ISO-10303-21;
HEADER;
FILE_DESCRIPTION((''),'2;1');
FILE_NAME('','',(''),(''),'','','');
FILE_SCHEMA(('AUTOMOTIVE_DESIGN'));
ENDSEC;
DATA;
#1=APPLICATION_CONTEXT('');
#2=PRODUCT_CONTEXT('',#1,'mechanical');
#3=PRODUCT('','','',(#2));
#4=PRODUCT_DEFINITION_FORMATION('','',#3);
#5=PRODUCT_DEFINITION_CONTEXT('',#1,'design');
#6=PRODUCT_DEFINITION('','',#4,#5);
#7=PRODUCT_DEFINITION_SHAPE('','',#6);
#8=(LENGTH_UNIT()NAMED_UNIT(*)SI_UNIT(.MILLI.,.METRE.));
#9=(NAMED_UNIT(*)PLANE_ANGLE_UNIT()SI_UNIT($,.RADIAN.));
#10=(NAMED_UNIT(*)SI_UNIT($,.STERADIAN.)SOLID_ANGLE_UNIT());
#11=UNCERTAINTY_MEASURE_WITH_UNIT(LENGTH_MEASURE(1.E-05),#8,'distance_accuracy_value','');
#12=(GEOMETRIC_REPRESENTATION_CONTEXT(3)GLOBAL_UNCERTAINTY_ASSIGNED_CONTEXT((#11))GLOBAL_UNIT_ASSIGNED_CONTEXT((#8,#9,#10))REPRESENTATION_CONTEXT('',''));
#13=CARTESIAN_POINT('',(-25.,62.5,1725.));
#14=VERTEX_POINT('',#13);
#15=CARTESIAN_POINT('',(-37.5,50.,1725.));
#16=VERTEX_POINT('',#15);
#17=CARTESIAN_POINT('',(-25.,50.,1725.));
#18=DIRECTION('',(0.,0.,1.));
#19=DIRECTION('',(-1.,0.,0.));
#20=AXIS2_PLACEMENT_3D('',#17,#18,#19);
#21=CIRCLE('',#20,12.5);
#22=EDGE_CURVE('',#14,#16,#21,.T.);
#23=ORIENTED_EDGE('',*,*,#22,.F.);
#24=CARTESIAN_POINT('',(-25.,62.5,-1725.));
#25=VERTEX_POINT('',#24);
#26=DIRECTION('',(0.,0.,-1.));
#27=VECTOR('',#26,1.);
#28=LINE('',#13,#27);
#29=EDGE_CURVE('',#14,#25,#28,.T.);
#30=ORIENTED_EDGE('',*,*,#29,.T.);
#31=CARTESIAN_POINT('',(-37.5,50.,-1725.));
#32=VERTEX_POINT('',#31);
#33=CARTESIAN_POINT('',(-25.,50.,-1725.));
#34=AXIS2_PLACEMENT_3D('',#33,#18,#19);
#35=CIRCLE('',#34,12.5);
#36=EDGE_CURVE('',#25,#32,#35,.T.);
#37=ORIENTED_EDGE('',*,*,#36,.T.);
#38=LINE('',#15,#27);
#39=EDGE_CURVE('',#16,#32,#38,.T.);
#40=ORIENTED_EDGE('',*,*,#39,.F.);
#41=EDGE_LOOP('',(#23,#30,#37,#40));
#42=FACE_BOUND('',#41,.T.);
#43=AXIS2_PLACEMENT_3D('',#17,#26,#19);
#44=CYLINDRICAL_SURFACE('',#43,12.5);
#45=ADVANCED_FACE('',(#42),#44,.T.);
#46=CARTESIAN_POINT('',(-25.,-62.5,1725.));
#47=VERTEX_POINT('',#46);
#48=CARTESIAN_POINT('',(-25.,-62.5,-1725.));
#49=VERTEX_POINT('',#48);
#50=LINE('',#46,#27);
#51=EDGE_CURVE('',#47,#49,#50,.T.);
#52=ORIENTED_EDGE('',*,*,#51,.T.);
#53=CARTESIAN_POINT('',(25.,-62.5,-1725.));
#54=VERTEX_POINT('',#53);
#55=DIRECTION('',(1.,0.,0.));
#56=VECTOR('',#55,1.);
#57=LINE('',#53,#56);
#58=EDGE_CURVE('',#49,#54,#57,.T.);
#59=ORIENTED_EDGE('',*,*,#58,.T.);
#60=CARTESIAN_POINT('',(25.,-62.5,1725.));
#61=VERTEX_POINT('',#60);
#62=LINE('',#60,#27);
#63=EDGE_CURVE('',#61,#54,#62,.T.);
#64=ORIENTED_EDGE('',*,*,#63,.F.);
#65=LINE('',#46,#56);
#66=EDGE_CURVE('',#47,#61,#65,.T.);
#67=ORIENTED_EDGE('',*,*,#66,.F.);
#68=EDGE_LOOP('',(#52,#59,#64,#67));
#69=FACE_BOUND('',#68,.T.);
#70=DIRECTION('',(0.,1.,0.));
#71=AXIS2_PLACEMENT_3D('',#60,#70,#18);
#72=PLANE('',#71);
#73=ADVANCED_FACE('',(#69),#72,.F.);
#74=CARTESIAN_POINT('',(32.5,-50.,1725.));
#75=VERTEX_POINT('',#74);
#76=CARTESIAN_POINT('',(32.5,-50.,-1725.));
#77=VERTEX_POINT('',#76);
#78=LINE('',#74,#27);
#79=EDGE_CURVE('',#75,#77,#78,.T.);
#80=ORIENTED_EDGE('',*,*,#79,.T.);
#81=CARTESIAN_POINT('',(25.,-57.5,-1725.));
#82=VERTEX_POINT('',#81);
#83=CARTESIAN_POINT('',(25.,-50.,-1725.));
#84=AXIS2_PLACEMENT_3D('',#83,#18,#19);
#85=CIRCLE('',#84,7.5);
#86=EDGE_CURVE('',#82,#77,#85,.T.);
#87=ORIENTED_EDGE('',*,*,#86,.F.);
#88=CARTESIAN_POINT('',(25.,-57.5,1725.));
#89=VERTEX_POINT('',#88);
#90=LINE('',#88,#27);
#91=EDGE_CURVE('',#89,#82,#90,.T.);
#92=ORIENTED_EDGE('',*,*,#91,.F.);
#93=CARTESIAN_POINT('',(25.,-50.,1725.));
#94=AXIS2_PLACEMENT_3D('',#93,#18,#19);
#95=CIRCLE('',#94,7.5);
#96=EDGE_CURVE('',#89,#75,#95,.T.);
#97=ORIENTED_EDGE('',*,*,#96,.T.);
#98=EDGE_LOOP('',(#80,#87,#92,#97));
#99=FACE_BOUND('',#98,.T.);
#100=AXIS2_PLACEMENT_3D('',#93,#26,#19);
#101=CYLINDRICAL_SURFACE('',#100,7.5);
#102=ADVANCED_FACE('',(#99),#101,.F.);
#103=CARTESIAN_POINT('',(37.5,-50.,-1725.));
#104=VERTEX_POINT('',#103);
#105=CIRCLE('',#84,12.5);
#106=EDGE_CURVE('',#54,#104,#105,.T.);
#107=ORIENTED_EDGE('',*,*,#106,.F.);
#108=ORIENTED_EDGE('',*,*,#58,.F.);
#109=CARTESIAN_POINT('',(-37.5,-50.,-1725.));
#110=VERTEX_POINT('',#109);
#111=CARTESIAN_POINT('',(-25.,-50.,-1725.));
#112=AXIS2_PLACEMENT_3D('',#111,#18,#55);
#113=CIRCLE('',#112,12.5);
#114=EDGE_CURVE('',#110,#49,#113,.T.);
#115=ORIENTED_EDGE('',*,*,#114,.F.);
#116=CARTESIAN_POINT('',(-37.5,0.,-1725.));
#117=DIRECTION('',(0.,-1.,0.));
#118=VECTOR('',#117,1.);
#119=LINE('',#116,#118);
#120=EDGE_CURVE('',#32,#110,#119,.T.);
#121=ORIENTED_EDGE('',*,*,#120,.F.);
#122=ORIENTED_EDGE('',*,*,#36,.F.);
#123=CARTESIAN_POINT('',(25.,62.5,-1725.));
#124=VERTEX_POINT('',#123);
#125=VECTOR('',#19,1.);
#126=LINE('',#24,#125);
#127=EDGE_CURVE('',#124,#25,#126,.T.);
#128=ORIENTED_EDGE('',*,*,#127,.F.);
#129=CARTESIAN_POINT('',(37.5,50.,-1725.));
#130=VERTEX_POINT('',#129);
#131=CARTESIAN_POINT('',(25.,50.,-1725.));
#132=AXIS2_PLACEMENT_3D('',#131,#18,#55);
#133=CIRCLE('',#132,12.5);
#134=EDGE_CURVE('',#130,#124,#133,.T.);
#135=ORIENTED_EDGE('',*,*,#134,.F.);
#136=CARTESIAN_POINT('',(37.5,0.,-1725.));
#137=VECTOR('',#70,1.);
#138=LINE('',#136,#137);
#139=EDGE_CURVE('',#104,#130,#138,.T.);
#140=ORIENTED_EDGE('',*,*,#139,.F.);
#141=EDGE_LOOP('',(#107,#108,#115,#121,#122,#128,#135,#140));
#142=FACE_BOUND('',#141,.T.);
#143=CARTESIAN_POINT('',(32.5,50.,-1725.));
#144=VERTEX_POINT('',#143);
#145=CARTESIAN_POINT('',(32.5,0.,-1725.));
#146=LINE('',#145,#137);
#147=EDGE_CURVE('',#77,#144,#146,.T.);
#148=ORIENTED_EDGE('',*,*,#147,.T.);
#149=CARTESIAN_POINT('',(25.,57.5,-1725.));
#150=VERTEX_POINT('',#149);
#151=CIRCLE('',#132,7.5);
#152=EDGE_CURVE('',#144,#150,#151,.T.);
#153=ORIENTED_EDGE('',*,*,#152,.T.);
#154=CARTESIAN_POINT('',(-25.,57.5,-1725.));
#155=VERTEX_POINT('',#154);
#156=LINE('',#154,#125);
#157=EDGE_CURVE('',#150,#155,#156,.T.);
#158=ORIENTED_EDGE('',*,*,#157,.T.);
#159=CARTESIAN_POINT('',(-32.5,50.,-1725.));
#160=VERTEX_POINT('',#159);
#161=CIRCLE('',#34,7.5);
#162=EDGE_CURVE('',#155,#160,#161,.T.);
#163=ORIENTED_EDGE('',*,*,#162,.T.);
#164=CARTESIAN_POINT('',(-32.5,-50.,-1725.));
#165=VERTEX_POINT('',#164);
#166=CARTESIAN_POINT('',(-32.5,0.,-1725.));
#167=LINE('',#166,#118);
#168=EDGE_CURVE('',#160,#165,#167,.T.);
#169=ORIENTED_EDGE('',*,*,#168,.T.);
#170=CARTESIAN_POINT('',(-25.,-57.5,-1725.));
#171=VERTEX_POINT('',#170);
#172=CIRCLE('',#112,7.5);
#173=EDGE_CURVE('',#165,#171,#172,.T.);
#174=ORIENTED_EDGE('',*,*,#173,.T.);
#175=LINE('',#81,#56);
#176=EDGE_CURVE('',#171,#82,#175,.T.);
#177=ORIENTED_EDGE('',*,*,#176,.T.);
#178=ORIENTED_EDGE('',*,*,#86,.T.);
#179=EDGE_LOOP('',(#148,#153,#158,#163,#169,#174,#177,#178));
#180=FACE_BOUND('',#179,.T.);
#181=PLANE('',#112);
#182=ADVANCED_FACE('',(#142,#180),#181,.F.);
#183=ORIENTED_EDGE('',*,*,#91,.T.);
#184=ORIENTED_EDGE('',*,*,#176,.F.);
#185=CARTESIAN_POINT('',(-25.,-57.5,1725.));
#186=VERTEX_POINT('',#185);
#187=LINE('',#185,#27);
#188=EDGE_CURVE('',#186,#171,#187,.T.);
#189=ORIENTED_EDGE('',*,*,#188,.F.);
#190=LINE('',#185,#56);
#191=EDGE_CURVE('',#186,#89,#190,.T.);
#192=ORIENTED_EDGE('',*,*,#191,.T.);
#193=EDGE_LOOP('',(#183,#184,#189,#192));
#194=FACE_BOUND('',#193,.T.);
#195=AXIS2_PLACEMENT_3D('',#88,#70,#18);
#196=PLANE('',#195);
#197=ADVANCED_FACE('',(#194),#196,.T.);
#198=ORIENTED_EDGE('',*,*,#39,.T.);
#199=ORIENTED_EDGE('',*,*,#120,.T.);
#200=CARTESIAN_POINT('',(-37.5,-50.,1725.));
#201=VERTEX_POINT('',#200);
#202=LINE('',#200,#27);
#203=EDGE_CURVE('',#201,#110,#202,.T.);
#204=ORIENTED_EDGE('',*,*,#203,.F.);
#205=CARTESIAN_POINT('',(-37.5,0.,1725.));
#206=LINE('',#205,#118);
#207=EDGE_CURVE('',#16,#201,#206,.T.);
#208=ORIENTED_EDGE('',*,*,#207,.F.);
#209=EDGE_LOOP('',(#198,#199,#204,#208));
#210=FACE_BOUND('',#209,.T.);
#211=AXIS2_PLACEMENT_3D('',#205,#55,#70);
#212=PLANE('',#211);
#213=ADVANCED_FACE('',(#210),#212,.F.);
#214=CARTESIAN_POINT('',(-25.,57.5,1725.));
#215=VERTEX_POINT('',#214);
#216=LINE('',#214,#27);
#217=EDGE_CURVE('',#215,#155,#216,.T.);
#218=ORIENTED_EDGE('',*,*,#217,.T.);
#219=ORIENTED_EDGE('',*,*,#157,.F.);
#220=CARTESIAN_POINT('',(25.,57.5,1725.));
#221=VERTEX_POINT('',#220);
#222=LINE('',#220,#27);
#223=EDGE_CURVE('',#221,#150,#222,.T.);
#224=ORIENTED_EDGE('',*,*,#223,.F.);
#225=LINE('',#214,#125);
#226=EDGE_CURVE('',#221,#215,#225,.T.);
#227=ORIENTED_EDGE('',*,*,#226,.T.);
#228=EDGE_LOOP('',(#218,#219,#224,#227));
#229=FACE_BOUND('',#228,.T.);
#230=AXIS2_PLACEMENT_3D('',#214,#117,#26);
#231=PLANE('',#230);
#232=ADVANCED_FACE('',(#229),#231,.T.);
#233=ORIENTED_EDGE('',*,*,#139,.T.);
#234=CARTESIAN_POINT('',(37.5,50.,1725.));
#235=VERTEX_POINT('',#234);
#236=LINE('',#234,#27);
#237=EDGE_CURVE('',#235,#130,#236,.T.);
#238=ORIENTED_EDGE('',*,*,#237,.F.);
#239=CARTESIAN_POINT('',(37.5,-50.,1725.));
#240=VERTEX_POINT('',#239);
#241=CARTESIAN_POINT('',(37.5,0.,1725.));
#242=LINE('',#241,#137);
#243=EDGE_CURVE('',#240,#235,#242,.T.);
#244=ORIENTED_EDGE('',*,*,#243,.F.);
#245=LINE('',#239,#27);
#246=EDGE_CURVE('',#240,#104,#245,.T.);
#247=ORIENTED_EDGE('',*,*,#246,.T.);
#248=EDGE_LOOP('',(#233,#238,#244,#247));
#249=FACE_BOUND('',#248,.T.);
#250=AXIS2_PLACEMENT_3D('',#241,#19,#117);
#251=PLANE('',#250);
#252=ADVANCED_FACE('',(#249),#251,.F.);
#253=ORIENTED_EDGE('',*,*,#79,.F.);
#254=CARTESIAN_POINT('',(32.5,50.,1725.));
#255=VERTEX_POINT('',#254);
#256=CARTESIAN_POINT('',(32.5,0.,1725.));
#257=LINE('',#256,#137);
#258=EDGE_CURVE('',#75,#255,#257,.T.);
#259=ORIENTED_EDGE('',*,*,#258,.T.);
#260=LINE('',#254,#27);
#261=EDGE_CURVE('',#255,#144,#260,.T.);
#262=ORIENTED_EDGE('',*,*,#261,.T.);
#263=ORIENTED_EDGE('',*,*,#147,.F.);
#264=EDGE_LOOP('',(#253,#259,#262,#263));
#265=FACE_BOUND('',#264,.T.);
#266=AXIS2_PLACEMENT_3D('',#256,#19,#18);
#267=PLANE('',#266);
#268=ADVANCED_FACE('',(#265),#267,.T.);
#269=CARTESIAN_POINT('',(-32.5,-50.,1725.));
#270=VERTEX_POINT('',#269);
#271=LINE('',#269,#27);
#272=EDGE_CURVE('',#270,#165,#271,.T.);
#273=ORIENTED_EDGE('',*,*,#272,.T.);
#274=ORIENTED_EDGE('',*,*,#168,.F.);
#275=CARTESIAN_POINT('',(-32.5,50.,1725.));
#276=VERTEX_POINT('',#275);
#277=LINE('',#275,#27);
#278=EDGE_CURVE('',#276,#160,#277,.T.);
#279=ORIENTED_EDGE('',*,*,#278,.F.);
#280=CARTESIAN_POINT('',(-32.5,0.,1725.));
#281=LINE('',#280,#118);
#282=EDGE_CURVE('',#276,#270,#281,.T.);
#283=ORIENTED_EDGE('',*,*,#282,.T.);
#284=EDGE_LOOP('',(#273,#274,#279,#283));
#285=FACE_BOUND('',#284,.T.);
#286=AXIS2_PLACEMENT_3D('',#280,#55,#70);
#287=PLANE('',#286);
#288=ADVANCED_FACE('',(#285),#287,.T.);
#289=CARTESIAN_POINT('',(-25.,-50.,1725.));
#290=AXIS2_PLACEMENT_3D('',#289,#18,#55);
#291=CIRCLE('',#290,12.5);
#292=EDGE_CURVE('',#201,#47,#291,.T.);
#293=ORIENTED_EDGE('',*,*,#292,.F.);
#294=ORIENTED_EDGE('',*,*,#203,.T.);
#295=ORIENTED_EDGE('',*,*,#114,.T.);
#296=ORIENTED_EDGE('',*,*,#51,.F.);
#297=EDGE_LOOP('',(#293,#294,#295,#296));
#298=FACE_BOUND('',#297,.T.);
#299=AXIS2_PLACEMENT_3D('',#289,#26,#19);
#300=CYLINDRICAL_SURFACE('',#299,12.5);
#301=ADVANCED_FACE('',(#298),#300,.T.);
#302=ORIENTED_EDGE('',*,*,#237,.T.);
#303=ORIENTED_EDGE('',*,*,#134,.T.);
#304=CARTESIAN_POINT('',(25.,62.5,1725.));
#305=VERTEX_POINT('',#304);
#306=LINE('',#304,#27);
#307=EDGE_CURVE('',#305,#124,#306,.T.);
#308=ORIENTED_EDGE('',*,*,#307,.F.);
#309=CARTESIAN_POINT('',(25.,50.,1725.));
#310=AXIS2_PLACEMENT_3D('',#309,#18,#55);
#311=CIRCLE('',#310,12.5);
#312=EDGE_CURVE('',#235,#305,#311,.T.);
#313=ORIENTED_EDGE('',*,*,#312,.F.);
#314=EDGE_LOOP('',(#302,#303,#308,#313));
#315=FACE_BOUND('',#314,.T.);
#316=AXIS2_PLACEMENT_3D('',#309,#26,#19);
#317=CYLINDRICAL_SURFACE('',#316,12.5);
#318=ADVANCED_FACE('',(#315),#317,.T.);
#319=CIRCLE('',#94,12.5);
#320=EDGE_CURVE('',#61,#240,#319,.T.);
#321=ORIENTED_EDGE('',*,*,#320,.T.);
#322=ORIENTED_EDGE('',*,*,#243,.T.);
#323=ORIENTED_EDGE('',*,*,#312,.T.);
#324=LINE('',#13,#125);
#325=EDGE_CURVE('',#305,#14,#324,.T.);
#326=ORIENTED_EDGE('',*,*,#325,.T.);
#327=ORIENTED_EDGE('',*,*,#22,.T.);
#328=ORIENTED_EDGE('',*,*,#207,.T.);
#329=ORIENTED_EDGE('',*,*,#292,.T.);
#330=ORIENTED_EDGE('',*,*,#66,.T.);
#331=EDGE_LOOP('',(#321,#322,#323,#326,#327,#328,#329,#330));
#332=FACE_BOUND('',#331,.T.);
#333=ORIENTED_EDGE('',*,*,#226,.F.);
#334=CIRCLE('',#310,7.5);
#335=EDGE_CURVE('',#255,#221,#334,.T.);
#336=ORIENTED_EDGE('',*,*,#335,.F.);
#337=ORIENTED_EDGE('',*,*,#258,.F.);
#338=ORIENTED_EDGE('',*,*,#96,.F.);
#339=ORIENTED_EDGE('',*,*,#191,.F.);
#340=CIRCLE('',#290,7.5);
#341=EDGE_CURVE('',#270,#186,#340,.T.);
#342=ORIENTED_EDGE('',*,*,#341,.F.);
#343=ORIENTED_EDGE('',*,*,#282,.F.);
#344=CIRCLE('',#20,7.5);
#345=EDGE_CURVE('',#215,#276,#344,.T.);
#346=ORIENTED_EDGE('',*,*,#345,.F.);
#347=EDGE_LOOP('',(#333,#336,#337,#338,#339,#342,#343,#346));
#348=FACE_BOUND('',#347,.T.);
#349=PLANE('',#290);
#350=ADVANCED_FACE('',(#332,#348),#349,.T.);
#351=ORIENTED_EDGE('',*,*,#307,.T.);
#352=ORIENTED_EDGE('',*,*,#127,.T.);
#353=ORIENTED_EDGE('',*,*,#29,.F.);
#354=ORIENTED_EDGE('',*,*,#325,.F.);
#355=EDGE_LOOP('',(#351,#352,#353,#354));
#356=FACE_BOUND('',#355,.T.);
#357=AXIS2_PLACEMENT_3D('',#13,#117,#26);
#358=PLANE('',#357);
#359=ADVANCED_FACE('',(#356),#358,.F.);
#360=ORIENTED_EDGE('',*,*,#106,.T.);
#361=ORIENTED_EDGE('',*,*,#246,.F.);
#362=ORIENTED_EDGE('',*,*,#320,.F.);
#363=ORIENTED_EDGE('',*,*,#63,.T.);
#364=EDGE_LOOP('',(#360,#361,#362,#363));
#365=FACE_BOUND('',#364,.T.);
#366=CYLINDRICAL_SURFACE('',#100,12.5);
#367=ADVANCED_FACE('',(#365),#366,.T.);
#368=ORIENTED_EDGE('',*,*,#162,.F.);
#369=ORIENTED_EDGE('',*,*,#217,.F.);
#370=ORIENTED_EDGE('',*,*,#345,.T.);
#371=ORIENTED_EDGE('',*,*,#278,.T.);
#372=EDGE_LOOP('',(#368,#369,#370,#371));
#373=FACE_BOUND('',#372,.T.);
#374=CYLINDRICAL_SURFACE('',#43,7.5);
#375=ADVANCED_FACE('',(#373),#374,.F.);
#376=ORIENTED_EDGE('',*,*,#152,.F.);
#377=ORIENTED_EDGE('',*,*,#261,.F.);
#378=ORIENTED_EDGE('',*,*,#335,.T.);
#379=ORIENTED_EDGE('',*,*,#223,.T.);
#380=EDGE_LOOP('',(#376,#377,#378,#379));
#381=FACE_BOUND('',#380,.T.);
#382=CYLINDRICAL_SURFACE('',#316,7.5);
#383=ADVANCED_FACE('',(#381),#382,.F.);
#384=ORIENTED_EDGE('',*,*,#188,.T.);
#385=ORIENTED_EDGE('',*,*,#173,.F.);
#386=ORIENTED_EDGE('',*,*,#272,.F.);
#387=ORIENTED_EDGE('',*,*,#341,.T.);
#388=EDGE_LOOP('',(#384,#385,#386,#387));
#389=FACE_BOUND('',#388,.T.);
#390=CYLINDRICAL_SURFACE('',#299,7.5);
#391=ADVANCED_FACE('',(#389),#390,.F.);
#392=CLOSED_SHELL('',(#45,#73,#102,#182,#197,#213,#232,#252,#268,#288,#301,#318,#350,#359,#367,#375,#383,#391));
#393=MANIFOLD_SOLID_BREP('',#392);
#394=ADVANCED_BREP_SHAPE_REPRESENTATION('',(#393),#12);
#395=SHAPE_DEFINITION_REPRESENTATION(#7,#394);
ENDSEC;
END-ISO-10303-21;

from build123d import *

# Parameters (mm, degrees)
BOSS_EXTRUDE1_DEPTH = 1725


with BuildPart() as part:
    # Sketch1 → Boss-Extrude1 (new, symmetric)
    with BuildSketch(Plane.XY):
        with BuildLine():
            Line((-37.5, 0), (-37.5, -50))
            ThreePointArc((-37.5, -50), (-33.838834765, -58.838834765), (-25, -62.5))
            Line((-25, -62.5), (0, -62.5))
            Line((0, -62.5), (25, -62.5))
            ThreePointArc((25, -62.5), (33.838834765, -58.838834765), (37.5, -50))
            Line((37.5, -50), (37.5, 0))
            Line((37.5, 0), (37.5, 50))
            ThreePointArc((37.5, 50), (33.838834765, 58.838834765), (25, 62.5))
            Line((25, 62.5), (-25, 62.5))
            ThreePointArc((-25, 62.5), (-33.838834765, 58.838834765), (-37.5, 50))
            Line((-37.5, 50), (-37.5, 0))
        make_face()
        with BuildLine():
            Line((-32.5, 0), (-32.5, -50))
            ThreePointArc((-32.5, -50), (-30.303300859, -55.303300859), (-25, -57.5))
            Line((-25, -57.5), (0, -57.5))
            Line((0, -57.5), (25, -57.5))
            ThreePointArc((25, -57.5), (30.303300859, -55.303300859), (32.5, -50))
            Line((32.5, -50), (32.5, 0))
            Line((32.5, 0), (32.5, 50))
            ThreePointArc((32.5, 50), (30.303300859, 55.303300859), (25, 57.5))
            Line((25, 57.5), (-25, 57.5))
            ThreePointArc((-25, 57.5), (-30.303300859, 55.303300859), (-32.5, 50))
            Line((-32.5, 50), (-32.5, 0))
        make_face(mode=Mode.SUBTRACT)
    extrude(amount=BOSS_EXTRUDE1_DEPTH, both=True)


solid = part.part
